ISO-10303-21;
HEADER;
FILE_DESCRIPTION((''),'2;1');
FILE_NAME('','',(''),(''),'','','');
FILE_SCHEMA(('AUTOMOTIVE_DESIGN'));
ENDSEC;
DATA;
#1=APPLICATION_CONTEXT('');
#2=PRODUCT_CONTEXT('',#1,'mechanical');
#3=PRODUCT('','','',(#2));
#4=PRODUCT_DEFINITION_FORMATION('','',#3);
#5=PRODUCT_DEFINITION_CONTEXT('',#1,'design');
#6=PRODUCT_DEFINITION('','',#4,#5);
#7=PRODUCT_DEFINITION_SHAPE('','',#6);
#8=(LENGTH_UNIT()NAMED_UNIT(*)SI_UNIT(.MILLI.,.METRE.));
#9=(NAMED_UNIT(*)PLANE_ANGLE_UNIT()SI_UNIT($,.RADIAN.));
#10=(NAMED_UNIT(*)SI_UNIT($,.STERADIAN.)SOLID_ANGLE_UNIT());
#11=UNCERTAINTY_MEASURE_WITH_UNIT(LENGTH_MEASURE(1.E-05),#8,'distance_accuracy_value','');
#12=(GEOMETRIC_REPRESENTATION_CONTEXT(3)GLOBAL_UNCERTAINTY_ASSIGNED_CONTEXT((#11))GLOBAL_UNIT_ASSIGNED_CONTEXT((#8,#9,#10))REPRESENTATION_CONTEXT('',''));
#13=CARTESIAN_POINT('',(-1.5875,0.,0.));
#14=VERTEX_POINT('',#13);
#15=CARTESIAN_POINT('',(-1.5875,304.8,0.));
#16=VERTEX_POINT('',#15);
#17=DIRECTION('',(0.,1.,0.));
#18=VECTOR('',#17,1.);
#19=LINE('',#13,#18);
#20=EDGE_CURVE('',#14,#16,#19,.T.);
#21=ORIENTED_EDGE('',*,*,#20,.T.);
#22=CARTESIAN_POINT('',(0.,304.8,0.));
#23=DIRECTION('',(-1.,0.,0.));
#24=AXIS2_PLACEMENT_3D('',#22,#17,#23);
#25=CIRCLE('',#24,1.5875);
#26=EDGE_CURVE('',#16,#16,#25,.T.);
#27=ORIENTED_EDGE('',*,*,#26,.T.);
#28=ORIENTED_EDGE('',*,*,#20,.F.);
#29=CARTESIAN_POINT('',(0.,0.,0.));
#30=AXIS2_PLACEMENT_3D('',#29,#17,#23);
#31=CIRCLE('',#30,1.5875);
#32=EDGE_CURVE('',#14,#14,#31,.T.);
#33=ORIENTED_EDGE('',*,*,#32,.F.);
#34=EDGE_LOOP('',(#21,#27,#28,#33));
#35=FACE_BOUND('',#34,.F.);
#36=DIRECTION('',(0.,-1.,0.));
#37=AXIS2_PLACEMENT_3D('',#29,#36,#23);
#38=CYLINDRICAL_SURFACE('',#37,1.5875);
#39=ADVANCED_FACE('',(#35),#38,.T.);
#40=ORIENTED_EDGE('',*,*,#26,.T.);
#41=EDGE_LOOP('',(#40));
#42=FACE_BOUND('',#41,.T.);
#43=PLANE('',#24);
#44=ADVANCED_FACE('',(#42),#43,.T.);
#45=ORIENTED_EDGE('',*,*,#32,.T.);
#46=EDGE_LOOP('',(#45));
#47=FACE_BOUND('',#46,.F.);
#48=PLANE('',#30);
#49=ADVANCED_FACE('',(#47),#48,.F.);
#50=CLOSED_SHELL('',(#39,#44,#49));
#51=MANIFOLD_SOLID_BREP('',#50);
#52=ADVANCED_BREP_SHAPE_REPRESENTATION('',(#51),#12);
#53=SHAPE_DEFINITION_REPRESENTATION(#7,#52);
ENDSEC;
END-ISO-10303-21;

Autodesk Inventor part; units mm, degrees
ref_plane "YZ Plane" through (0, 0, 0) normal (1, 0, 0) x (0, 1, 0)
ref_plane "XZ Plane" through (0, 0, 0) normal (0, 1, 0) x (-1, 0, 0)
ref_plane "XY Plane" through (0, 0, 0) normal (0, 0, 1) x (1, 0, 0)
sketch "Sketch1" plane through (0, 0, 0) normal (0, 1, 0) x (-1, 0, 0)
  circle A0 centre (0, 0) radius 1.5875
  dimension "d0" = 3.175
extrude "Extrusion1" add sketch "Sketch1" along normal blind 304.8
sketch "Sketch2" plane through (0, 0, 0) normal (0, 1, 0) x (-1, 0, 0)
  point P0 (0, 0)
sketch "Sketch3" plane through (0, 0, 0) normal (0, 0, 1) x (1, 0, 0)
  point P0 (0, 0)
sketch "Sketch4" plane through (0, 0, 0) normal (0, 1, 0) x (-1, 0, 0)
  point P0 (0, 0)
sketch "Sketch5" plane through (0, 0, 0) normal (1, 0, 0) x (0, 1, 0)
  line L0 (304.8, -1.5875) -> (304.8, 1.5875) projected
  point P0 (0, 0)
thread "Thread1" size "5-40 UNC" class "2A" standard "ANSI Unified Screw Threads" length 18.288
thread "Thread2" size "5-40 UNC" class "2A" standard "ANSI Unified Screw Threads" length 18.288
properties part number "Burner Rodx3"
